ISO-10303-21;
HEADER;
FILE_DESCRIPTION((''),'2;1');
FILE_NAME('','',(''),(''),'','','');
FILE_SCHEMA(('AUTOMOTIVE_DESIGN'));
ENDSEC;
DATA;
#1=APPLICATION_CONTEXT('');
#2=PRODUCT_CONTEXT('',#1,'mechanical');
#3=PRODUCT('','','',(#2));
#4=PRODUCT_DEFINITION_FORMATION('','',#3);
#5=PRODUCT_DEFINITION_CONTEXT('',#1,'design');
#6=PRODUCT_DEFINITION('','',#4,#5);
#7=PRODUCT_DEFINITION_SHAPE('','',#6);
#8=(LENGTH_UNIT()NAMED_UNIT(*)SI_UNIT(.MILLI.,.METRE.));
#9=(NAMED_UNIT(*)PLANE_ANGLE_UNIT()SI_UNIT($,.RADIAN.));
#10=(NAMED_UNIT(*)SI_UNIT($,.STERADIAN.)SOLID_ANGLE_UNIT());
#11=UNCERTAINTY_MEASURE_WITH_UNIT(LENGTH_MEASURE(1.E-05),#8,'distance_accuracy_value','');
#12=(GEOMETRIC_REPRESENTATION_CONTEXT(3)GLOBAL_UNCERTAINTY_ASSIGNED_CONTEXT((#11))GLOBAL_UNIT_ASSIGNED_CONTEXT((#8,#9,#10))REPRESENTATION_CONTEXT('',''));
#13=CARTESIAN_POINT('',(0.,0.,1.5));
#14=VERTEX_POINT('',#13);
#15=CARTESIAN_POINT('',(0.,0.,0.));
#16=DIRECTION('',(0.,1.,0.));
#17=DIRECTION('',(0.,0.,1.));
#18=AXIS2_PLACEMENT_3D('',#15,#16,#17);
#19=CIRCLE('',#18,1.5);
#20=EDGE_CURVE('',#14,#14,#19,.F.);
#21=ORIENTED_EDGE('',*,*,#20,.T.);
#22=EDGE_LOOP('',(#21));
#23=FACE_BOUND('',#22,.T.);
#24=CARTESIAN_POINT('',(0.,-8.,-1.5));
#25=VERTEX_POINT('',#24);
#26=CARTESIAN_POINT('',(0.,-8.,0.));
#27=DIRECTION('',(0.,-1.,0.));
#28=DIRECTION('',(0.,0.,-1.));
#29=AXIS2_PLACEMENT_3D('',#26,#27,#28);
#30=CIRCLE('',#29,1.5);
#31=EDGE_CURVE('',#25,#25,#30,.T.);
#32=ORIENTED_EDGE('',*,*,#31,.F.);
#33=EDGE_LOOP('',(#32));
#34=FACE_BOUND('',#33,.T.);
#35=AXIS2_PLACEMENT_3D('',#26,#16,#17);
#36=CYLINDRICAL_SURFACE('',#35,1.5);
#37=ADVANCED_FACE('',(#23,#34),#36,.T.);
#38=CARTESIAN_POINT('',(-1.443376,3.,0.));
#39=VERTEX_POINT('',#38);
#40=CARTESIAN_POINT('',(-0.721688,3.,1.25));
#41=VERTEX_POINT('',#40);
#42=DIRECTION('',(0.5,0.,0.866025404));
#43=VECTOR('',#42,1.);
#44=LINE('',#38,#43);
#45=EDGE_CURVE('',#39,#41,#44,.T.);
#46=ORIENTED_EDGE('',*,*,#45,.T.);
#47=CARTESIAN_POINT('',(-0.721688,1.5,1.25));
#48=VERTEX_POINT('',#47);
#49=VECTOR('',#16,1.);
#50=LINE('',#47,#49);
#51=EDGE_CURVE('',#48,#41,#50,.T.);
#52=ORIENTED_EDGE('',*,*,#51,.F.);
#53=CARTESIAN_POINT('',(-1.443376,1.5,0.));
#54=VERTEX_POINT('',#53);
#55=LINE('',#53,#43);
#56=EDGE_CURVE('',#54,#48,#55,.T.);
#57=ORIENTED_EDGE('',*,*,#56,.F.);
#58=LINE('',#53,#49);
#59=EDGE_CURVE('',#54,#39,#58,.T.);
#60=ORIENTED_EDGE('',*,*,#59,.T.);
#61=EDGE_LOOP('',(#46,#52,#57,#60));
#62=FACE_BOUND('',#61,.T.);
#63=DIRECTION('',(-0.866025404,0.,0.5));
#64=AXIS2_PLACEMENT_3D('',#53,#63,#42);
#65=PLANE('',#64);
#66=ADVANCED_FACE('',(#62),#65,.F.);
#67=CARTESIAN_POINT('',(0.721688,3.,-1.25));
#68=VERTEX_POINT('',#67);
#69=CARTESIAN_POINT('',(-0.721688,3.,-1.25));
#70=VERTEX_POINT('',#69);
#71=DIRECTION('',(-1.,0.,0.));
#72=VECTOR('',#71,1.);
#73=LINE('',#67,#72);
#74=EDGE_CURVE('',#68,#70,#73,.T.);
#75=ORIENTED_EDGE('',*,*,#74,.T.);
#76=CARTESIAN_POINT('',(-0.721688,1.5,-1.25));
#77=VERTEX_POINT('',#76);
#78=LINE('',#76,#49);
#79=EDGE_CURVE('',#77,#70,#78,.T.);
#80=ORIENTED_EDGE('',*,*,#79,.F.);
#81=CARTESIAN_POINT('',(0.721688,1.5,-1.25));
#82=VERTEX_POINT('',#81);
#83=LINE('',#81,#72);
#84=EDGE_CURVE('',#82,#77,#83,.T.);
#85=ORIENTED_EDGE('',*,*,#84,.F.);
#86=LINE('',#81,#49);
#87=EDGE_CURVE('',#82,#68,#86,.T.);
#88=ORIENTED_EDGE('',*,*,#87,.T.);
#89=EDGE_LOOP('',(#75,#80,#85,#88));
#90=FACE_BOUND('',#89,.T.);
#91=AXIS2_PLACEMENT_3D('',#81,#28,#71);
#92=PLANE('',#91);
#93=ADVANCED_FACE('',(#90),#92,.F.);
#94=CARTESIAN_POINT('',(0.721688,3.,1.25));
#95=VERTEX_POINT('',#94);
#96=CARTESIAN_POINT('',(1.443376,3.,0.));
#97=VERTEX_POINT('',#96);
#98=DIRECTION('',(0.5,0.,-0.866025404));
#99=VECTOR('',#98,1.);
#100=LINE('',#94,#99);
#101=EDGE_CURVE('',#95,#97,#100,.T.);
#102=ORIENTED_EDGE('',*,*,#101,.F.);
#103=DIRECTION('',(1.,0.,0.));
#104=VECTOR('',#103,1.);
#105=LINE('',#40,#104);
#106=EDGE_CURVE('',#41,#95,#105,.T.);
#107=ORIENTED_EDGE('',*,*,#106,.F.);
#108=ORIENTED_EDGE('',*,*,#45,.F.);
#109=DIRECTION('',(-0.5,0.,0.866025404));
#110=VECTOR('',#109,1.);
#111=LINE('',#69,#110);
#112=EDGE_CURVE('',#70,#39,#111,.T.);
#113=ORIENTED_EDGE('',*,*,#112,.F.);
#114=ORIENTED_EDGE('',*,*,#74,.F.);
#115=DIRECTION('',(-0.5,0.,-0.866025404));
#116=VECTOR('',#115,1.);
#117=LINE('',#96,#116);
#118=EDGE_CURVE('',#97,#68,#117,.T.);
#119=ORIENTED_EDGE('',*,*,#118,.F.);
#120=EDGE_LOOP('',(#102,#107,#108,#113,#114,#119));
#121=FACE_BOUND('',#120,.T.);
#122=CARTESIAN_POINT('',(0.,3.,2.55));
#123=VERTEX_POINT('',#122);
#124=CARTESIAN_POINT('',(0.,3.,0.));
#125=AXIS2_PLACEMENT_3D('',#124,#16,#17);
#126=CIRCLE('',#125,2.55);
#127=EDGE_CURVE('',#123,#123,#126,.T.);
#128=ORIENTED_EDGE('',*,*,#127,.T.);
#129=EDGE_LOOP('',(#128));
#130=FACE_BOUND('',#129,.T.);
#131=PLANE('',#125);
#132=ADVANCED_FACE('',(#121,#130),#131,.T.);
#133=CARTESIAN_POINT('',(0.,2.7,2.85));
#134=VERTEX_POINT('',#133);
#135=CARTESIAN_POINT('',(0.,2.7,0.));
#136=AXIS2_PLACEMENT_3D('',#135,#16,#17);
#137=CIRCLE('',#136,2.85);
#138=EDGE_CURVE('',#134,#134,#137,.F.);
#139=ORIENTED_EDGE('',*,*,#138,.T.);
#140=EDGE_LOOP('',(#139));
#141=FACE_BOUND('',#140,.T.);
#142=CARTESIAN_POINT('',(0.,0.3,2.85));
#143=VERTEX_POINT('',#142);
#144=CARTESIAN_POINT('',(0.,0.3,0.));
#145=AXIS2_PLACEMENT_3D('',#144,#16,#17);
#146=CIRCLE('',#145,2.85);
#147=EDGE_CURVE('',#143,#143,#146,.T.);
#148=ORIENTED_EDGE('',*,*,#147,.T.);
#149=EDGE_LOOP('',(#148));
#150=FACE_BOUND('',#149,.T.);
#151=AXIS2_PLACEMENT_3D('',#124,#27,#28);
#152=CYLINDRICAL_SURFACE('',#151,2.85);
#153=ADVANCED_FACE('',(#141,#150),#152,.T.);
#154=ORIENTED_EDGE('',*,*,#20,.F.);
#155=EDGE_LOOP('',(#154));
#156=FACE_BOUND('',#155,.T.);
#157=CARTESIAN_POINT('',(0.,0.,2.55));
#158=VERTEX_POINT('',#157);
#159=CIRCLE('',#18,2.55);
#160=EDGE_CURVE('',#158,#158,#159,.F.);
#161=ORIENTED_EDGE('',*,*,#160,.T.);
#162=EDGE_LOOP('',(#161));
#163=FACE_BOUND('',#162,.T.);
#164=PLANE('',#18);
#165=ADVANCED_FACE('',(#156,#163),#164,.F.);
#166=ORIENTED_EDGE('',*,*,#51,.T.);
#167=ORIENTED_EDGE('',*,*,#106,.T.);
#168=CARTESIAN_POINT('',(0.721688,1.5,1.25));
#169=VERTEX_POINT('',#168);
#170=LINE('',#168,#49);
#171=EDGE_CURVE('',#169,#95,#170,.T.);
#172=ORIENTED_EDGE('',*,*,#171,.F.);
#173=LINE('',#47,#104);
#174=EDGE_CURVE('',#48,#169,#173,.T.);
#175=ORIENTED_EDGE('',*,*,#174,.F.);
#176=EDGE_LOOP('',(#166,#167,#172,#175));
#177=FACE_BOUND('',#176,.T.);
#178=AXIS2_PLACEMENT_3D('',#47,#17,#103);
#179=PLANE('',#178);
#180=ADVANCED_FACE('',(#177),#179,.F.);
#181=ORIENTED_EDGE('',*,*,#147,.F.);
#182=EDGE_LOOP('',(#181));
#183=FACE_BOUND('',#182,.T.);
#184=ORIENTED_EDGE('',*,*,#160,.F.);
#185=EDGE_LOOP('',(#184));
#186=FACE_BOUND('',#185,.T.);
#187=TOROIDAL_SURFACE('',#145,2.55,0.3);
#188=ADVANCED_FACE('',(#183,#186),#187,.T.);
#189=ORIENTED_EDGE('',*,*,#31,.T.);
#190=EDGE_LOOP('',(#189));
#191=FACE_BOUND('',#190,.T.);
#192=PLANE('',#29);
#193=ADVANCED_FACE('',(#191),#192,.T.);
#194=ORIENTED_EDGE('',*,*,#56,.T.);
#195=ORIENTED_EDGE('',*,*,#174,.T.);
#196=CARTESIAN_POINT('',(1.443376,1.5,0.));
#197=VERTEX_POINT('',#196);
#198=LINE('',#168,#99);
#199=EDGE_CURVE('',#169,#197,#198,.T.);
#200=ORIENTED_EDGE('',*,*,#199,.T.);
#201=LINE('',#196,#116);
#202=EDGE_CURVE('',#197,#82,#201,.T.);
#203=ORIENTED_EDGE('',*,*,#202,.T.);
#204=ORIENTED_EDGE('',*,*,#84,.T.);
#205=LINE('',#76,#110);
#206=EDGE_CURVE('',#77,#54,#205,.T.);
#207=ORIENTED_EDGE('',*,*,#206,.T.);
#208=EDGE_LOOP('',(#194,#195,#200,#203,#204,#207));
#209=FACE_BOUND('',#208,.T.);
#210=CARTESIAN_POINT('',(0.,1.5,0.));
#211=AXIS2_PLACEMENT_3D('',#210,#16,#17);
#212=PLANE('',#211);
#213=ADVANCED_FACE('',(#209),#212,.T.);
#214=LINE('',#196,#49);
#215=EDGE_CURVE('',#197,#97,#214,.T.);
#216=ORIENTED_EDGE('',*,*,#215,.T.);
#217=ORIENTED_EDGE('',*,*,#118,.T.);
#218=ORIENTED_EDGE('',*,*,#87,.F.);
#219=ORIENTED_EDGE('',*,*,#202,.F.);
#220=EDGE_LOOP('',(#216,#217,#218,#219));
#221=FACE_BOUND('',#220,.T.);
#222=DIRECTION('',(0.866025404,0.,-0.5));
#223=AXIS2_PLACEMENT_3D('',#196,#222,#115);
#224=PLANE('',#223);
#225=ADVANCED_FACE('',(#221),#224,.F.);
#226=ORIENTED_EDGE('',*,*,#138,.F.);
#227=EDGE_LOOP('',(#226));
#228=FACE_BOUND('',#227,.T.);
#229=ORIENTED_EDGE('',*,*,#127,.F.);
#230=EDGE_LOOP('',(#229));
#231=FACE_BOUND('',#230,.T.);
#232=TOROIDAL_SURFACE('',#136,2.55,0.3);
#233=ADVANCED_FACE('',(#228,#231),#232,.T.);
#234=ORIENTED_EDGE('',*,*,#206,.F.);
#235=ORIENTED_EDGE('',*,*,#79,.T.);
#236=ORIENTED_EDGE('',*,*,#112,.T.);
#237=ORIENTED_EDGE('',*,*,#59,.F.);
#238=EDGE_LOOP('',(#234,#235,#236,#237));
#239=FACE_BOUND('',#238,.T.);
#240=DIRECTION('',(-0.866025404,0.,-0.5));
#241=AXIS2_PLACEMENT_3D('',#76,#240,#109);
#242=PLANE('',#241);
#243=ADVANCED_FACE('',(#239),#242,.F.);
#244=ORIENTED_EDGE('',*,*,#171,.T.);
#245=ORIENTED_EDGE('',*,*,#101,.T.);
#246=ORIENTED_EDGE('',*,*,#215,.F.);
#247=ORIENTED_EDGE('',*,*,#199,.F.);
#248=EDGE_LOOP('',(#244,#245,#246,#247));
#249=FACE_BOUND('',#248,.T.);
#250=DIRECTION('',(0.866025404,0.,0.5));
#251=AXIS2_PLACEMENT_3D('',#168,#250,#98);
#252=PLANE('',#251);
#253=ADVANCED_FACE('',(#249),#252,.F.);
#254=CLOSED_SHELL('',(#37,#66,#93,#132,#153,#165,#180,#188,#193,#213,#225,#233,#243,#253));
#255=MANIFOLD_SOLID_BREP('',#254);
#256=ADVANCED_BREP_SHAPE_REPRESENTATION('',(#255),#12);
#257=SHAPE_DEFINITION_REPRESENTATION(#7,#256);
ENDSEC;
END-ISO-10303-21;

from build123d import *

# Parameters (mm, degrees)
SKETCH_1_R          = 2.85
EXTRUDE_1_DEPTH     = 3
SKETCH_2_R          = 1.5
EXTRUDE_2_DEPTH     = 8
FILLET_1_R          = 0.3
CUT_EXTRUDE_1_DEPTH = 1.5


with BuildPart() as part:
    # 草图1 → 凸台-拉伸1 (new body)
    with BuildSketch(Plane(origin=(0, 0, 0), x_dir=(1, 0, 0), z_dir=(0, 1, 0))):
        with Locations(Location((0, 0, 0), (0, 0, 270))):
            Circle(SKETCH_1_R)
    extrude(amount=EXTRUDE_1_DEPTH)

    # 草图2 → 凸台-拉伸2 (add)
    with BuildSketch(Plane.XZ):
        with Locations(Location((0, 0, 0), (0, 0, 90))):
            Circle(SKETCH_2_R)
    extrude(amount=EXTRUDE_2_DEPTH)

    # 圆角1
    fillet_1_edges = [part.edges().sort_by_distance(p)[0] for p in [
        (0, 0, -2.85),
        (0, 3, -2.85),
    ]]
    fillet(fillet_1_edges, radius=FILLET_1_R)

    # 草图3 → 切除-拉伸1 (cut)
    with BuildSketch(Plane(origin=(0, 3, 0), x_dir=(1, 0, 0), z_dir=(0, 1, 0))):
        Polygon((-1.443375673, 0), (-0.721687836, -1.25), (0.721687836, -1.25), (1.443375673, 0), (0.721687836, 1.25), (-0.721687836, 1.25), align=None)
    extrude(amount=-CUT_EXTRUDE_1_DEPTH, mode=Mode.SUBTRACT)


solid = part.part
